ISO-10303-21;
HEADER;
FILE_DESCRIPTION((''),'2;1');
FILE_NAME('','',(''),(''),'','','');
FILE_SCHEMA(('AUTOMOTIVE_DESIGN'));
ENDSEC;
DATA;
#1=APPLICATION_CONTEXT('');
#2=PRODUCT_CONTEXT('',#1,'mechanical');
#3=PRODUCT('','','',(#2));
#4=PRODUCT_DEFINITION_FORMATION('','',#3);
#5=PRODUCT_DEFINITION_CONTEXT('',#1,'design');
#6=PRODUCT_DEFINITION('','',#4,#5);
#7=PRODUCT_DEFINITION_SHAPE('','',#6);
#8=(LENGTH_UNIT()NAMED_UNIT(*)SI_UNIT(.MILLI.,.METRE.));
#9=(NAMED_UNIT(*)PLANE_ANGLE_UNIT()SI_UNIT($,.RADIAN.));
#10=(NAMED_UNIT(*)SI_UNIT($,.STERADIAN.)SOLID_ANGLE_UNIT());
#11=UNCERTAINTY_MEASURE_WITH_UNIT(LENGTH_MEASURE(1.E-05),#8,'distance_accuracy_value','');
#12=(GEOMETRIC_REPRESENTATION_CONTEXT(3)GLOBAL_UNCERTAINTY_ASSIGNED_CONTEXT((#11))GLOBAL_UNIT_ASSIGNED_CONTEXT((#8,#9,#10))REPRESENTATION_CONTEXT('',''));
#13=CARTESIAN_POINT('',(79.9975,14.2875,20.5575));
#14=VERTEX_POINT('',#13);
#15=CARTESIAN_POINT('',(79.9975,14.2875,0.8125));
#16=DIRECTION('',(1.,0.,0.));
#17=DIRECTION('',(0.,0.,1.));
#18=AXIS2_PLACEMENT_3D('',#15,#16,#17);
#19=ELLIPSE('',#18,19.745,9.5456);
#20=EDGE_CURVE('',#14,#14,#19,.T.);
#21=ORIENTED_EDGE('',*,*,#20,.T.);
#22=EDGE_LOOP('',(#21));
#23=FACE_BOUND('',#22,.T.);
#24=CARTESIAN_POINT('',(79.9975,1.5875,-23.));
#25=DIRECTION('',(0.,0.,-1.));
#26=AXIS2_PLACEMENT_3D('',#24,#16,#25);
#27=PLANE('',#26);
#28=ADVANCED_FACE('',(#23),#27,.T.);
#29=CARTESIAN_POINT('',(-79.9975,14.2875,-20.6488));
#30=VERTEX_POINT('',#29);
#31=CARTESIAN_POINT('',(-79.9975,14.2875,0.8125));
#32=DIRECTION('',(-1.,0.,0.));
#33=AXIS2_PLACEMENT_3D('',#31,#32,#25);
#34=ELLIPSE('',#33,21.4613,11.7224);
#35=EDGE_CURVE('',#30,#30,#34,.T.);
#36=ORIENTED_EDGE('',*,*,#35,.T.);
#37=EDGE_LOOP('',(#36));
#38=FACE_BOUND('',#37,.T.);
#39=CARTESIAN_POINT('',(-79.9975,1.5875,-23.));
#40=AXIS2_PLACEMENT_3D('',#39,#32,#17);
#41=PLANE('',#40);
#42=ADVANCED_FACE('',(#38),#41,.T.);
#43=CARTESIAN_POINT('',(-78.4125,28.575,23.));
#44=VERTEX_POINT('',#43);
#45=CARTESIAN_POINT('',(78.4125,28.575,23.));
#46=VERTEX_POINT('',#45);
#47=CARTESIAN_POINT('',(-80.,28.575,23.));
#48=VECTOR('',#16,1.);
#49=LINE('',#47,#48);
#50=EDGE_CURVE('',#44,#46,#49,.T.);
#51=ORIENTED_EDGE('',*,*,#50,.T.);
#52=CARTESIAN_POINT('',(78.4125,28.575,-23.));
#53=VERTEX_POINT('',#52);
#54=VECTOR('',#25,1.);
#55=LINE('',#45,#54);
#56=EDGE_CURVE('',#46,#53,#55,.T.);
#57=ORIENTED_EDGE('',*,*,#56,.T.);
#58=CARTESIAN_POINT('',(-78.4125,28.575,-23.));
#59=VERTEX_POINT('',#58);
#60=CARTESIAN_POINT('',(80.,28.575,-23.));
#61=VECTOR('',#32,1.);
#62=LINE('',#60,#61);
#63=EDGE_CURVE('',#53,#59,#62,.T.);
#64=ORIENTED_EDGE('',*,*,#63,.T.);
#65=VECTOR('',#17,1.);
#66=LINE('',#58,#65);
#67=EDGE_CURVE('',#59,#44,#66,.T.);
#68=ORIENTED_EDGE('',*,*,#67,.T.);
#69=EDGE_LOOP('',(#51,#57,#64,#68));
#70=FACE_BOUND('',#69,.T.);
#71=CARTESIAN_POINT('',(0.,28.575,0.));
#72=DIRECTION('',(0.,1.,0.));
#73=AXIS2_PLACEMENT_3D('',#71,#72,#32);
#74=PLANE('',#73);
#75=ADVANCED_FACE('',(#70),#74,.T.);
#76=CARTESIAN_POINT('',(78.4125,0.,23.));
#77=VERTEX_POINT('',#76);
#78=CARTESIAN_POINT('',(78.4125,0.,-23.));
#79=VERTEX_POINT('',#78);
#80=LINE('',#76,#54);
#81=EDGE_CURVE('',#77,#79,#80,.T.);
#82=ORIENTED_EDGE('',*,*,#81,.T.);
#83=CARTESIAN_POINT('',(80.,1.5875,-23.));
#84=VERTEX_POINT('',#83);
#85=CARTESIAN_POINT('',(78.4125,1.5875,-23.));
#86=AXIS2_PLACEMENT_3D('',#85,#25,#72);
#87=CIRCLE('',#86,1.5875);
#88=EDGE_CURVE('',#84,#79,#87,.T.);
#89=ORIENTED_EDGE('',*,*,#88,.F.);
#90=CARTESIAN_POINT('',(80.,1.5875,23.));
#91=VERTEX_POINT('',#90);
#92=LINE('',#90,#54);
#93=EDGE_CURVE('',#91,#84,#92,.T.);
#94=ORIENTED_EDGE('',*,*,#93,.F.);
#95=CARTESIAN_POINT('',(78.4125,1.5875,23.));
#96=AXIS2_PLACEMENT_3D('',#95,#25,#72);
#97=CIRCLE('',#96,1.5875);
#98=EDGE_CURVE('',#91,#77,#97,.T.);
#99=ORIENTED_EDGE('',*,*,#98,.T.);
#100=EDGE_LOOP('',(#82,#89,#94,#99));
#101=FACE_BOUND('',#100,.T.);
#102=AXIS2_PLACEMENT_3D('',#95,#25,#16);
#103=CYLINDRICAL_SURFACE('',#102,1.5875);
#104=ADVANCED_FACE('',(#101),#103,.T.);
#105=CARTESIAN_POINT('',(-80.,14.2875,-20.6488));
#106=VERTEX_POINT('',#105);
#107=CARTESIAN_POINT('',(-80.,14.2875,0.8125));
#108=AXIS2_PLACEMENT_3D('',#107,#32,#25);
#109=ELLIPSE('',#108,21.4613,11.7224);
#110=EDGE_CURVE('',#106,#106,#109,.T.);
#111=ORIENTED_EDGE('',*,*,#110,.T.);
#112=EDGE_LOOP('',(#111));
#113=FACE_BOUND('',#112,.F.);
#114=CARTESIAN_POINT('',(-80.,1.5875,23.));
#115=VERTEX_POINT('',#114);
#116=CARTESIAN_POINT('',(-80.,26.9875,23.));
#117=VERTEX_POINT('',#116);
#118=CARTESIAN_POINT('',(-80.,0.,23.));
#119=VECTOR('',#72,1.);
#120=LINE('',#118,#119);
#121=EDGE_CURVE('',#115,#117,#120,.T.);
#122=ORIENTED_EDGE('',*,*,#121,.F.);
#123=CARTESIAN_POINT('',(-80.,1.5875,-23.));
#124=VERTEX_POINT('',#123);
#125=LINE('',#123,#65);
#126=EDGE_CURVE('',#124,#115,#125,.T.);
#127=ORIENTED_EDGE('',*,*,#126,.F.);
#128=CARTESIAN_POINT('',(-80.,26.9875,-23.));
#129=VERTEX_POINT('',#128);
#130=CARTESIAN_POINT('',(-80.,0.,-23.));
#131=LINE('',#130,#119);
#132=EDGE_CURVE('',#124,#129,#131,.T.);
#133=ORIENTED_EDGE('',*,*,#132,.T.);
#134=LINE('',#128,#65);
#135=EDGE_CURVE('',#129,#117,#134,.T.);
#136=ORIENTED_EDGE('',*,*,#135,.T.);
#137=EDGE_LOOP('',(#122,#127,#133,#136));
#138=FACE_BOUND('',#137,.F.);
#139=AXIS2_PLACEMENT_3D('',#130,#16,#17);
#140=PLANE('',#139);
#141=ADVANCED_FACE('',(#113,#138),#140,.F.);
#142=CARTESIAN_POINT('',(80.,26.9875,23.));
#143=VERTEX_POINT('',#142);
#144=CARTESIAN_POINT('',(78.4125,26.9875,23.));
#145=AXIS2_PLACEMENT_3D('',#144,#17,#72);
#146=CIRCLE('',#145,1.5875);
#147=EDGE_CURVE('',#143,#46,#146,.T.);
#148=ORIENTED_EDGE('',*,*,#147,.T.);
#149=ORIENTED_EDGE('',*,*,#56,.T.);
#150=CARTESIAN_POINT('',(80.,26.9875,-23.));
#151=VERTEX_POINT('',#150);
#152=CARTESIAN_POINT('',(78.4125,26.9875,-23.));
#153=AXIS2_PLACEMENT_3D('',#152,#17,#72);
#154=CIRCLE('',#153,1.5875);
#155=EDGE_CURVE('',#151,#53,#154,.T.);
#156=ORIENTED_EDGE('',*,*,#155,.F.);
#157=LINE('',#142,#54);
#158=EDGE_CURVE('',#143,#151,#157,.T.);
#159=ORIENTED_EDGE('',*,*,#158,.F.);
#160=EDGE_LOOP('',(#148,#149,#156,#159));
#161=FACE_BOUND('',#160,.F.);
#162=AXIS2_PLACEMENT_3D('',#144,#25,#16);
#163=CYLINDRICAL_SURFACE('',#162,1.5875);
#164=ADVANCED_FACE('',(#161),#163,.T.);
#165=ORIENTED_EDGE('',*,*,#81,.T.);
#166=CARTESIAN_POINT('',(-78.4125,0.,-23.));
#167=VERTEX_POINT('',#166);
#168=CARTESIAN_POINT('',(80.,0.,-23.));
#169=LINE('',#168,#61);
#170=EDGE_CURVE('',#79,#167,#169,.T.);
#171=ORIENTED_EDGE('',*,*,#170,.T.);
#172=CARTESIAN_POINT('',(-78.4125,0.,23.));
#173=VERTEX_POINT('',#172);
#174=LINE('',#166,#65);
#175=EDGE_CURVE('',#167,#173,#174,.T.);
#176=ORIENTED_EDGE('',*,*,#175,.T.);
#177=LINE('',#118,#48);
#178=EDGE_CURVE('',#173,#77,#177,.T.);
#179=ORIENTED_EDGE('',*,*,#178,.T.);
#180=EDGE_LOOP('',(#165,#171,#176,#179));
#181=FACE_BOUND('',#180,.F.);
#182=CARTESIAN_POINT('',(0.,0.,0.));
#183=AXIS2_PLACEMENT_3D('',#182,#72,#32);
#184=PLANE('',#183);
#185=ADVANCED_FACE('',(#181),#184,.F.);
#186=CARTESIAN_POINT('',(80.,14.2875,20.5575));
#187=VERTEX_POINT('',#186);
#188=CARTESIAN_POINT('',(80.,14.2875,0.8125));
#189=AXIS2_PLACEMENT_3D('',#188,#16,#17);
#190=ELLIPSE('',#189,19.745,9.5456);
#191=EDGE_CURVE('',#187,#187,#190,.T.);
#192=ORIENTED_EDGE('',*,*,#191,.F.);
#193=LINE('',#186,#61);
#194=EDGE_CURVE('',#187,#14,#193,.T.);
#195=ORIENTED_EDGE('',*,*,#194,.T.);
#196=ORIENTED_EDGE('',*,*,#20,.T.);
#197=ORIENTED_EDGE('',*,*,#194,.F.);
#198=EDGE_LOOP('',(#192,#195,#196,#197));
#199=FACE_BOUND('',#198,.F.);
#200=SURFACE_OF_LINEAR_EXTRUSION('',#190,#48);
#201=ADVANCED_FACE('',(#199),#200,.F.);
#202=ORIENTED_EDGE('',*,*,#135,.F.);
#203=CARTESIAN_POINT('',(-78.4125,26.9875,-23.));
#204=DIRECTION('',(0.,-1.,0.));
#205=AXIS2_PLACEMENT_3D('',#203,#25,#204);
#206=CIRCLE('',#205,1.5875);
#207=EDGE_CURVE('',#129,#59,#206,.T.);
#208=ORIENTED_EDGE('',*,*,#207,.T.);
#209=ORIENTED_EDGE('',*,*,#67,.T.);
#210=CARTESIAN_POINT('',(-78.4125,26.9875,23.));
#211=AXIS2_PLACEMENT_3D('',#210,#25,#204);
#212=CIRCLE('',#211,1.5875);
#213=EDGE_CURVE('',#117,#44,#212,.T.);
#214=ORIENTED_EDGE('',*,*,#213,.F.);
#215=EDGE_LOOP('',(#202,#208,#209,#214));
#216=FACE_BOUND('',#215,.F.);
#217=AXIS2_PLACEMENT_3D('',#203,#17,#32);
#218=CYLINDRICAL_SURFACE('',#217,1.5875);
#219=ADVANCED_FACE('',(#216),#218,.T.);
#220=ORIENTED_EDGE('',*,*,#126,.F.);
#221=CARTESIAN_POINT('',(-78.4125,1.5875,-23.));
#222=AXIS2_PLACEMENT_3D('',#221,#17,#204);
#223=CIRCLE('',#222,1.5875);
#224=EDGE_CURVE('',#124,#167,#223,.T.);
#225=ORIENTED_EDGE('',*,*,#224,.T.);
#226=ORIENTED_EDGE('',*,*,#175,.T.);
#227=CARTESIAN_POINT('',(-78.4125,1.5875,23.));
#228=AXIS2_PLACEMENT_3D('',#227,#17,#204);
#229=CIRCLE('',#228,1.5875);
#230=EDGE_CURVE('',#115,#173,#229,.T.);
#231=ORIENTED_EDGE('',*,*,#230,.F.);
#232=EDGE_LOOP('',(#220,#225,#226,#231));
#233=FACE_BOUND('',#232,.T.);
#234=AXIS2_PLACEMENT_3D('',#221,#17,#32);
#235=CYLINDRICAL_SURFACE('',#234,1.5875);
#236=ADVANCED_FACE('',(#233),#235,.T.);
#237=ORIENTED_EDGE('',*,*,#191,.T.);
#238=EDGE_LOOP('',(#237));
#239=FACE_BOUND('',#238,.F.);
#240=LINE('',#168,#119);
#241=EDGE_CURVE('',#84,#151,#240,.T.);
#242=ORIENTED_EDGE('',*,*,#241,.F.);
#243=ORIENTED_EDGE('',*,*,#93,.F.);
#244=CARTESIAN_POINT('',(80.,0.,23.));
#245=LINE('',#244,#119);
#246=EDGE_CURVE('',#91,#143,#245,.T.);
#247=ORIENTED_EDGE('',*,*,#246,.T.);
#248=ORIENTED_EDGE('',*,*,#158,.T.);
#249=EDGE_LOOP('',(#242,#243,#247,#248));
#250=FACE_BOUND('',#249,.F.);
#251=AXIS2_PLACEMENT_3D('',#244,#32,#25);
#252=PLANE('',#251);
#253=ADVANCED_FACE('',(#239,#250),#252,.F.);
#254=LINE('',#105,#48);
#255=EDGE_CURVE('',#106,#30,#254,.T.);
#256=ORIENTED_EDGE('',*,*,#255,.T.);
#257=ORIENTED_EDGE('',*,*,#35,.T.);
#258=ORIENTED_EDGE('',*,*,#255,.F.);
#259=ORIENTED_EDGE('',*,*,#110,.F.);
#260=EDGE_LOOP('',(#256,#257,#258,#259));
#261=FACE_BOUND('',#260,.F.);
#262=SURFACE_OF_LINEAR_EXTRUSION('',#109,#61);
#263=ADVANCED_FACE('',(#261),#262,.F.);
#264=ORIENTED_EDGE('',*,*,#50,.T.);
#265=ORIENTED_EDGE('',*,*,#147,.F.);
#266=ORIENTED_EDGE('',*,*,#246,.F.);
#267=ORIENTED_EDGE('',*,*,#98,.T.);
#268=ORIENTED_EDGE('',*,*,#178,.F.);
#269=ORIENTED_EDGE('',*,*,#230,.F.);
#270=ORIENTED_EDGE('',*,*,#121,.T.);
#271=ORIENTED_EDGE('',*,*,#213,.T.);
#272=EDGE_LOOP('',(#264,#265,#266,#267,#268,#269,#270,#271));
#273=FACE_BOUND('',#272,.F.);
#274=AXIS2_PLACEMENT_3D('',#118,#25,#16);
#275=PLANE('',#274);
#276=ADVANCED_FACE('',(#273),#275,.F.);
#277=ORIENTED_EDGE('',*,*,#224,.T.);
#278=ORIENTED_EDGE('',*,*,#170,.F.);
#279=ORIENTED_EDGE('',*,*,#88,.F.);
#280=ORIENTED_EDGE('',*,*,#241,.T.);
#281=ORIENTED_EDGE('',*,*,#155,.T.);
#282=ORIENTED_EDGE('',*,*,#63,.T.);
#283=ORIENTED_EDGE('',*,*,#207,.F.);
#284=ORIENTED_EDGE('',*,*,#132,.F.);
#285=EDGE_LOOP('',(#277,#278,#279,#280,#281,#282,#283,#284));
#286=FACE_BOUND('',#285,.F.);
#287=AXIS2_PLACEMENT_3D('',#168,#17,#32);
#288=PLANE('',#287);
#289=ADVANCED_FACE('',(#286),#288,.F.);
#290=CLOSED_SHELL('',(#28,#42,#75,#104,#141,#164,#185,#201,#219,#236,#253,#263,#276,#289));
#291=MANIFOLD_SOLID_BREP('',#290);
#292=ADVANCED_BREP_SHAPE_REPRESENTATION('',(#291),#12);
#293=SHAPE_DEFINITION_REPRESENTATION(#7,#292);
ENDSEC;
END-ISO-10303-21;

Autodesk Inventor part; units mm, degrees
ref_plane "YZ Plane" through (0, 0, 0) normal (1, 0, 0) x (0, 1, 0)
ref_plane "XZ Plane" through (0, 0, 0) normal (0, 1, 0) x (-1, 0, 0)
ref_plane "XY Plane" through (0, 0, 0) normal (0, 0, 1) x (1, 0, 0)
sketch "Sketch1" plane through (0, 0, 0) normal (0, 1, 0) x (-1, 0, 0)
  line L0 (80, 23) -> (-80, 23)
  line L1 (-80, 23) -> (-80, -23)
  line L2 (-80, -23) -> (80, -23)
  line L3 (80, -23) -> (80, 23)
  point P0 (0, 0)
  point P1 (80, 0)
  point P2 (0, -23)
  dimension "d0" = 159.9999
  dimension "d1" = 45.9999
extrude "Extrusion1" add sketch "Sketch1" along normal blind 28.575
fillet "Fillet1" radius 1.5875 4 edges at (80, 28.575, 0) (80, 0, 0) (-80, 0, 0) (-80, 28.575, 0)
sketch "Sketch2" plane through (80, 1.5875, -23) normal (1, 0, 0) x (0, 0, -1)
  line L0 (0, 0) -> (-45.9999, 0) projected
  line L1 (0, 0) -> (0, 25.4) projected
  line L2 (-45.9999, 25.4) -> (0, 25.4) projected
  line L3 (-45.9999, 0) -> (-45.9999, 25.4) projected
  ellipse E0 centre (-23.8125, 12.7) end of major axis (-43.5575, 12.7) minor radius 9.5456
  point P0 (-23, -1.5875)
sketch "Sketch3" plane through (-80, 1.5875, -23) normal (-1, 0, 0) x (0, 0, 1)
  line L0 (0, 25.4) -> (45.9999, 25.4) projected
  line L1 (0, 0) -> (0, 25.4) projected
  line L2 (45.9999, 0) -> (0, 0) projected
  line L3 (45.9999, 0) -> (45.9999, 25.4) projected
  ellipse E0 centre (23.8125, 12.7) end of major axis (2.3512, 12.7) minor radius 11.7224
  point P0 (23, -1.5875)
extrude "Extrusion2" cut sketch "Sketch2" against normal blind 0.0025 contours E0
extrude "Extrusion3" cut sketch "Sketch3" against normal blind 0.0025 contours E0
properties part number "Turnigy 4S 5200 mah" material "Типовой"
